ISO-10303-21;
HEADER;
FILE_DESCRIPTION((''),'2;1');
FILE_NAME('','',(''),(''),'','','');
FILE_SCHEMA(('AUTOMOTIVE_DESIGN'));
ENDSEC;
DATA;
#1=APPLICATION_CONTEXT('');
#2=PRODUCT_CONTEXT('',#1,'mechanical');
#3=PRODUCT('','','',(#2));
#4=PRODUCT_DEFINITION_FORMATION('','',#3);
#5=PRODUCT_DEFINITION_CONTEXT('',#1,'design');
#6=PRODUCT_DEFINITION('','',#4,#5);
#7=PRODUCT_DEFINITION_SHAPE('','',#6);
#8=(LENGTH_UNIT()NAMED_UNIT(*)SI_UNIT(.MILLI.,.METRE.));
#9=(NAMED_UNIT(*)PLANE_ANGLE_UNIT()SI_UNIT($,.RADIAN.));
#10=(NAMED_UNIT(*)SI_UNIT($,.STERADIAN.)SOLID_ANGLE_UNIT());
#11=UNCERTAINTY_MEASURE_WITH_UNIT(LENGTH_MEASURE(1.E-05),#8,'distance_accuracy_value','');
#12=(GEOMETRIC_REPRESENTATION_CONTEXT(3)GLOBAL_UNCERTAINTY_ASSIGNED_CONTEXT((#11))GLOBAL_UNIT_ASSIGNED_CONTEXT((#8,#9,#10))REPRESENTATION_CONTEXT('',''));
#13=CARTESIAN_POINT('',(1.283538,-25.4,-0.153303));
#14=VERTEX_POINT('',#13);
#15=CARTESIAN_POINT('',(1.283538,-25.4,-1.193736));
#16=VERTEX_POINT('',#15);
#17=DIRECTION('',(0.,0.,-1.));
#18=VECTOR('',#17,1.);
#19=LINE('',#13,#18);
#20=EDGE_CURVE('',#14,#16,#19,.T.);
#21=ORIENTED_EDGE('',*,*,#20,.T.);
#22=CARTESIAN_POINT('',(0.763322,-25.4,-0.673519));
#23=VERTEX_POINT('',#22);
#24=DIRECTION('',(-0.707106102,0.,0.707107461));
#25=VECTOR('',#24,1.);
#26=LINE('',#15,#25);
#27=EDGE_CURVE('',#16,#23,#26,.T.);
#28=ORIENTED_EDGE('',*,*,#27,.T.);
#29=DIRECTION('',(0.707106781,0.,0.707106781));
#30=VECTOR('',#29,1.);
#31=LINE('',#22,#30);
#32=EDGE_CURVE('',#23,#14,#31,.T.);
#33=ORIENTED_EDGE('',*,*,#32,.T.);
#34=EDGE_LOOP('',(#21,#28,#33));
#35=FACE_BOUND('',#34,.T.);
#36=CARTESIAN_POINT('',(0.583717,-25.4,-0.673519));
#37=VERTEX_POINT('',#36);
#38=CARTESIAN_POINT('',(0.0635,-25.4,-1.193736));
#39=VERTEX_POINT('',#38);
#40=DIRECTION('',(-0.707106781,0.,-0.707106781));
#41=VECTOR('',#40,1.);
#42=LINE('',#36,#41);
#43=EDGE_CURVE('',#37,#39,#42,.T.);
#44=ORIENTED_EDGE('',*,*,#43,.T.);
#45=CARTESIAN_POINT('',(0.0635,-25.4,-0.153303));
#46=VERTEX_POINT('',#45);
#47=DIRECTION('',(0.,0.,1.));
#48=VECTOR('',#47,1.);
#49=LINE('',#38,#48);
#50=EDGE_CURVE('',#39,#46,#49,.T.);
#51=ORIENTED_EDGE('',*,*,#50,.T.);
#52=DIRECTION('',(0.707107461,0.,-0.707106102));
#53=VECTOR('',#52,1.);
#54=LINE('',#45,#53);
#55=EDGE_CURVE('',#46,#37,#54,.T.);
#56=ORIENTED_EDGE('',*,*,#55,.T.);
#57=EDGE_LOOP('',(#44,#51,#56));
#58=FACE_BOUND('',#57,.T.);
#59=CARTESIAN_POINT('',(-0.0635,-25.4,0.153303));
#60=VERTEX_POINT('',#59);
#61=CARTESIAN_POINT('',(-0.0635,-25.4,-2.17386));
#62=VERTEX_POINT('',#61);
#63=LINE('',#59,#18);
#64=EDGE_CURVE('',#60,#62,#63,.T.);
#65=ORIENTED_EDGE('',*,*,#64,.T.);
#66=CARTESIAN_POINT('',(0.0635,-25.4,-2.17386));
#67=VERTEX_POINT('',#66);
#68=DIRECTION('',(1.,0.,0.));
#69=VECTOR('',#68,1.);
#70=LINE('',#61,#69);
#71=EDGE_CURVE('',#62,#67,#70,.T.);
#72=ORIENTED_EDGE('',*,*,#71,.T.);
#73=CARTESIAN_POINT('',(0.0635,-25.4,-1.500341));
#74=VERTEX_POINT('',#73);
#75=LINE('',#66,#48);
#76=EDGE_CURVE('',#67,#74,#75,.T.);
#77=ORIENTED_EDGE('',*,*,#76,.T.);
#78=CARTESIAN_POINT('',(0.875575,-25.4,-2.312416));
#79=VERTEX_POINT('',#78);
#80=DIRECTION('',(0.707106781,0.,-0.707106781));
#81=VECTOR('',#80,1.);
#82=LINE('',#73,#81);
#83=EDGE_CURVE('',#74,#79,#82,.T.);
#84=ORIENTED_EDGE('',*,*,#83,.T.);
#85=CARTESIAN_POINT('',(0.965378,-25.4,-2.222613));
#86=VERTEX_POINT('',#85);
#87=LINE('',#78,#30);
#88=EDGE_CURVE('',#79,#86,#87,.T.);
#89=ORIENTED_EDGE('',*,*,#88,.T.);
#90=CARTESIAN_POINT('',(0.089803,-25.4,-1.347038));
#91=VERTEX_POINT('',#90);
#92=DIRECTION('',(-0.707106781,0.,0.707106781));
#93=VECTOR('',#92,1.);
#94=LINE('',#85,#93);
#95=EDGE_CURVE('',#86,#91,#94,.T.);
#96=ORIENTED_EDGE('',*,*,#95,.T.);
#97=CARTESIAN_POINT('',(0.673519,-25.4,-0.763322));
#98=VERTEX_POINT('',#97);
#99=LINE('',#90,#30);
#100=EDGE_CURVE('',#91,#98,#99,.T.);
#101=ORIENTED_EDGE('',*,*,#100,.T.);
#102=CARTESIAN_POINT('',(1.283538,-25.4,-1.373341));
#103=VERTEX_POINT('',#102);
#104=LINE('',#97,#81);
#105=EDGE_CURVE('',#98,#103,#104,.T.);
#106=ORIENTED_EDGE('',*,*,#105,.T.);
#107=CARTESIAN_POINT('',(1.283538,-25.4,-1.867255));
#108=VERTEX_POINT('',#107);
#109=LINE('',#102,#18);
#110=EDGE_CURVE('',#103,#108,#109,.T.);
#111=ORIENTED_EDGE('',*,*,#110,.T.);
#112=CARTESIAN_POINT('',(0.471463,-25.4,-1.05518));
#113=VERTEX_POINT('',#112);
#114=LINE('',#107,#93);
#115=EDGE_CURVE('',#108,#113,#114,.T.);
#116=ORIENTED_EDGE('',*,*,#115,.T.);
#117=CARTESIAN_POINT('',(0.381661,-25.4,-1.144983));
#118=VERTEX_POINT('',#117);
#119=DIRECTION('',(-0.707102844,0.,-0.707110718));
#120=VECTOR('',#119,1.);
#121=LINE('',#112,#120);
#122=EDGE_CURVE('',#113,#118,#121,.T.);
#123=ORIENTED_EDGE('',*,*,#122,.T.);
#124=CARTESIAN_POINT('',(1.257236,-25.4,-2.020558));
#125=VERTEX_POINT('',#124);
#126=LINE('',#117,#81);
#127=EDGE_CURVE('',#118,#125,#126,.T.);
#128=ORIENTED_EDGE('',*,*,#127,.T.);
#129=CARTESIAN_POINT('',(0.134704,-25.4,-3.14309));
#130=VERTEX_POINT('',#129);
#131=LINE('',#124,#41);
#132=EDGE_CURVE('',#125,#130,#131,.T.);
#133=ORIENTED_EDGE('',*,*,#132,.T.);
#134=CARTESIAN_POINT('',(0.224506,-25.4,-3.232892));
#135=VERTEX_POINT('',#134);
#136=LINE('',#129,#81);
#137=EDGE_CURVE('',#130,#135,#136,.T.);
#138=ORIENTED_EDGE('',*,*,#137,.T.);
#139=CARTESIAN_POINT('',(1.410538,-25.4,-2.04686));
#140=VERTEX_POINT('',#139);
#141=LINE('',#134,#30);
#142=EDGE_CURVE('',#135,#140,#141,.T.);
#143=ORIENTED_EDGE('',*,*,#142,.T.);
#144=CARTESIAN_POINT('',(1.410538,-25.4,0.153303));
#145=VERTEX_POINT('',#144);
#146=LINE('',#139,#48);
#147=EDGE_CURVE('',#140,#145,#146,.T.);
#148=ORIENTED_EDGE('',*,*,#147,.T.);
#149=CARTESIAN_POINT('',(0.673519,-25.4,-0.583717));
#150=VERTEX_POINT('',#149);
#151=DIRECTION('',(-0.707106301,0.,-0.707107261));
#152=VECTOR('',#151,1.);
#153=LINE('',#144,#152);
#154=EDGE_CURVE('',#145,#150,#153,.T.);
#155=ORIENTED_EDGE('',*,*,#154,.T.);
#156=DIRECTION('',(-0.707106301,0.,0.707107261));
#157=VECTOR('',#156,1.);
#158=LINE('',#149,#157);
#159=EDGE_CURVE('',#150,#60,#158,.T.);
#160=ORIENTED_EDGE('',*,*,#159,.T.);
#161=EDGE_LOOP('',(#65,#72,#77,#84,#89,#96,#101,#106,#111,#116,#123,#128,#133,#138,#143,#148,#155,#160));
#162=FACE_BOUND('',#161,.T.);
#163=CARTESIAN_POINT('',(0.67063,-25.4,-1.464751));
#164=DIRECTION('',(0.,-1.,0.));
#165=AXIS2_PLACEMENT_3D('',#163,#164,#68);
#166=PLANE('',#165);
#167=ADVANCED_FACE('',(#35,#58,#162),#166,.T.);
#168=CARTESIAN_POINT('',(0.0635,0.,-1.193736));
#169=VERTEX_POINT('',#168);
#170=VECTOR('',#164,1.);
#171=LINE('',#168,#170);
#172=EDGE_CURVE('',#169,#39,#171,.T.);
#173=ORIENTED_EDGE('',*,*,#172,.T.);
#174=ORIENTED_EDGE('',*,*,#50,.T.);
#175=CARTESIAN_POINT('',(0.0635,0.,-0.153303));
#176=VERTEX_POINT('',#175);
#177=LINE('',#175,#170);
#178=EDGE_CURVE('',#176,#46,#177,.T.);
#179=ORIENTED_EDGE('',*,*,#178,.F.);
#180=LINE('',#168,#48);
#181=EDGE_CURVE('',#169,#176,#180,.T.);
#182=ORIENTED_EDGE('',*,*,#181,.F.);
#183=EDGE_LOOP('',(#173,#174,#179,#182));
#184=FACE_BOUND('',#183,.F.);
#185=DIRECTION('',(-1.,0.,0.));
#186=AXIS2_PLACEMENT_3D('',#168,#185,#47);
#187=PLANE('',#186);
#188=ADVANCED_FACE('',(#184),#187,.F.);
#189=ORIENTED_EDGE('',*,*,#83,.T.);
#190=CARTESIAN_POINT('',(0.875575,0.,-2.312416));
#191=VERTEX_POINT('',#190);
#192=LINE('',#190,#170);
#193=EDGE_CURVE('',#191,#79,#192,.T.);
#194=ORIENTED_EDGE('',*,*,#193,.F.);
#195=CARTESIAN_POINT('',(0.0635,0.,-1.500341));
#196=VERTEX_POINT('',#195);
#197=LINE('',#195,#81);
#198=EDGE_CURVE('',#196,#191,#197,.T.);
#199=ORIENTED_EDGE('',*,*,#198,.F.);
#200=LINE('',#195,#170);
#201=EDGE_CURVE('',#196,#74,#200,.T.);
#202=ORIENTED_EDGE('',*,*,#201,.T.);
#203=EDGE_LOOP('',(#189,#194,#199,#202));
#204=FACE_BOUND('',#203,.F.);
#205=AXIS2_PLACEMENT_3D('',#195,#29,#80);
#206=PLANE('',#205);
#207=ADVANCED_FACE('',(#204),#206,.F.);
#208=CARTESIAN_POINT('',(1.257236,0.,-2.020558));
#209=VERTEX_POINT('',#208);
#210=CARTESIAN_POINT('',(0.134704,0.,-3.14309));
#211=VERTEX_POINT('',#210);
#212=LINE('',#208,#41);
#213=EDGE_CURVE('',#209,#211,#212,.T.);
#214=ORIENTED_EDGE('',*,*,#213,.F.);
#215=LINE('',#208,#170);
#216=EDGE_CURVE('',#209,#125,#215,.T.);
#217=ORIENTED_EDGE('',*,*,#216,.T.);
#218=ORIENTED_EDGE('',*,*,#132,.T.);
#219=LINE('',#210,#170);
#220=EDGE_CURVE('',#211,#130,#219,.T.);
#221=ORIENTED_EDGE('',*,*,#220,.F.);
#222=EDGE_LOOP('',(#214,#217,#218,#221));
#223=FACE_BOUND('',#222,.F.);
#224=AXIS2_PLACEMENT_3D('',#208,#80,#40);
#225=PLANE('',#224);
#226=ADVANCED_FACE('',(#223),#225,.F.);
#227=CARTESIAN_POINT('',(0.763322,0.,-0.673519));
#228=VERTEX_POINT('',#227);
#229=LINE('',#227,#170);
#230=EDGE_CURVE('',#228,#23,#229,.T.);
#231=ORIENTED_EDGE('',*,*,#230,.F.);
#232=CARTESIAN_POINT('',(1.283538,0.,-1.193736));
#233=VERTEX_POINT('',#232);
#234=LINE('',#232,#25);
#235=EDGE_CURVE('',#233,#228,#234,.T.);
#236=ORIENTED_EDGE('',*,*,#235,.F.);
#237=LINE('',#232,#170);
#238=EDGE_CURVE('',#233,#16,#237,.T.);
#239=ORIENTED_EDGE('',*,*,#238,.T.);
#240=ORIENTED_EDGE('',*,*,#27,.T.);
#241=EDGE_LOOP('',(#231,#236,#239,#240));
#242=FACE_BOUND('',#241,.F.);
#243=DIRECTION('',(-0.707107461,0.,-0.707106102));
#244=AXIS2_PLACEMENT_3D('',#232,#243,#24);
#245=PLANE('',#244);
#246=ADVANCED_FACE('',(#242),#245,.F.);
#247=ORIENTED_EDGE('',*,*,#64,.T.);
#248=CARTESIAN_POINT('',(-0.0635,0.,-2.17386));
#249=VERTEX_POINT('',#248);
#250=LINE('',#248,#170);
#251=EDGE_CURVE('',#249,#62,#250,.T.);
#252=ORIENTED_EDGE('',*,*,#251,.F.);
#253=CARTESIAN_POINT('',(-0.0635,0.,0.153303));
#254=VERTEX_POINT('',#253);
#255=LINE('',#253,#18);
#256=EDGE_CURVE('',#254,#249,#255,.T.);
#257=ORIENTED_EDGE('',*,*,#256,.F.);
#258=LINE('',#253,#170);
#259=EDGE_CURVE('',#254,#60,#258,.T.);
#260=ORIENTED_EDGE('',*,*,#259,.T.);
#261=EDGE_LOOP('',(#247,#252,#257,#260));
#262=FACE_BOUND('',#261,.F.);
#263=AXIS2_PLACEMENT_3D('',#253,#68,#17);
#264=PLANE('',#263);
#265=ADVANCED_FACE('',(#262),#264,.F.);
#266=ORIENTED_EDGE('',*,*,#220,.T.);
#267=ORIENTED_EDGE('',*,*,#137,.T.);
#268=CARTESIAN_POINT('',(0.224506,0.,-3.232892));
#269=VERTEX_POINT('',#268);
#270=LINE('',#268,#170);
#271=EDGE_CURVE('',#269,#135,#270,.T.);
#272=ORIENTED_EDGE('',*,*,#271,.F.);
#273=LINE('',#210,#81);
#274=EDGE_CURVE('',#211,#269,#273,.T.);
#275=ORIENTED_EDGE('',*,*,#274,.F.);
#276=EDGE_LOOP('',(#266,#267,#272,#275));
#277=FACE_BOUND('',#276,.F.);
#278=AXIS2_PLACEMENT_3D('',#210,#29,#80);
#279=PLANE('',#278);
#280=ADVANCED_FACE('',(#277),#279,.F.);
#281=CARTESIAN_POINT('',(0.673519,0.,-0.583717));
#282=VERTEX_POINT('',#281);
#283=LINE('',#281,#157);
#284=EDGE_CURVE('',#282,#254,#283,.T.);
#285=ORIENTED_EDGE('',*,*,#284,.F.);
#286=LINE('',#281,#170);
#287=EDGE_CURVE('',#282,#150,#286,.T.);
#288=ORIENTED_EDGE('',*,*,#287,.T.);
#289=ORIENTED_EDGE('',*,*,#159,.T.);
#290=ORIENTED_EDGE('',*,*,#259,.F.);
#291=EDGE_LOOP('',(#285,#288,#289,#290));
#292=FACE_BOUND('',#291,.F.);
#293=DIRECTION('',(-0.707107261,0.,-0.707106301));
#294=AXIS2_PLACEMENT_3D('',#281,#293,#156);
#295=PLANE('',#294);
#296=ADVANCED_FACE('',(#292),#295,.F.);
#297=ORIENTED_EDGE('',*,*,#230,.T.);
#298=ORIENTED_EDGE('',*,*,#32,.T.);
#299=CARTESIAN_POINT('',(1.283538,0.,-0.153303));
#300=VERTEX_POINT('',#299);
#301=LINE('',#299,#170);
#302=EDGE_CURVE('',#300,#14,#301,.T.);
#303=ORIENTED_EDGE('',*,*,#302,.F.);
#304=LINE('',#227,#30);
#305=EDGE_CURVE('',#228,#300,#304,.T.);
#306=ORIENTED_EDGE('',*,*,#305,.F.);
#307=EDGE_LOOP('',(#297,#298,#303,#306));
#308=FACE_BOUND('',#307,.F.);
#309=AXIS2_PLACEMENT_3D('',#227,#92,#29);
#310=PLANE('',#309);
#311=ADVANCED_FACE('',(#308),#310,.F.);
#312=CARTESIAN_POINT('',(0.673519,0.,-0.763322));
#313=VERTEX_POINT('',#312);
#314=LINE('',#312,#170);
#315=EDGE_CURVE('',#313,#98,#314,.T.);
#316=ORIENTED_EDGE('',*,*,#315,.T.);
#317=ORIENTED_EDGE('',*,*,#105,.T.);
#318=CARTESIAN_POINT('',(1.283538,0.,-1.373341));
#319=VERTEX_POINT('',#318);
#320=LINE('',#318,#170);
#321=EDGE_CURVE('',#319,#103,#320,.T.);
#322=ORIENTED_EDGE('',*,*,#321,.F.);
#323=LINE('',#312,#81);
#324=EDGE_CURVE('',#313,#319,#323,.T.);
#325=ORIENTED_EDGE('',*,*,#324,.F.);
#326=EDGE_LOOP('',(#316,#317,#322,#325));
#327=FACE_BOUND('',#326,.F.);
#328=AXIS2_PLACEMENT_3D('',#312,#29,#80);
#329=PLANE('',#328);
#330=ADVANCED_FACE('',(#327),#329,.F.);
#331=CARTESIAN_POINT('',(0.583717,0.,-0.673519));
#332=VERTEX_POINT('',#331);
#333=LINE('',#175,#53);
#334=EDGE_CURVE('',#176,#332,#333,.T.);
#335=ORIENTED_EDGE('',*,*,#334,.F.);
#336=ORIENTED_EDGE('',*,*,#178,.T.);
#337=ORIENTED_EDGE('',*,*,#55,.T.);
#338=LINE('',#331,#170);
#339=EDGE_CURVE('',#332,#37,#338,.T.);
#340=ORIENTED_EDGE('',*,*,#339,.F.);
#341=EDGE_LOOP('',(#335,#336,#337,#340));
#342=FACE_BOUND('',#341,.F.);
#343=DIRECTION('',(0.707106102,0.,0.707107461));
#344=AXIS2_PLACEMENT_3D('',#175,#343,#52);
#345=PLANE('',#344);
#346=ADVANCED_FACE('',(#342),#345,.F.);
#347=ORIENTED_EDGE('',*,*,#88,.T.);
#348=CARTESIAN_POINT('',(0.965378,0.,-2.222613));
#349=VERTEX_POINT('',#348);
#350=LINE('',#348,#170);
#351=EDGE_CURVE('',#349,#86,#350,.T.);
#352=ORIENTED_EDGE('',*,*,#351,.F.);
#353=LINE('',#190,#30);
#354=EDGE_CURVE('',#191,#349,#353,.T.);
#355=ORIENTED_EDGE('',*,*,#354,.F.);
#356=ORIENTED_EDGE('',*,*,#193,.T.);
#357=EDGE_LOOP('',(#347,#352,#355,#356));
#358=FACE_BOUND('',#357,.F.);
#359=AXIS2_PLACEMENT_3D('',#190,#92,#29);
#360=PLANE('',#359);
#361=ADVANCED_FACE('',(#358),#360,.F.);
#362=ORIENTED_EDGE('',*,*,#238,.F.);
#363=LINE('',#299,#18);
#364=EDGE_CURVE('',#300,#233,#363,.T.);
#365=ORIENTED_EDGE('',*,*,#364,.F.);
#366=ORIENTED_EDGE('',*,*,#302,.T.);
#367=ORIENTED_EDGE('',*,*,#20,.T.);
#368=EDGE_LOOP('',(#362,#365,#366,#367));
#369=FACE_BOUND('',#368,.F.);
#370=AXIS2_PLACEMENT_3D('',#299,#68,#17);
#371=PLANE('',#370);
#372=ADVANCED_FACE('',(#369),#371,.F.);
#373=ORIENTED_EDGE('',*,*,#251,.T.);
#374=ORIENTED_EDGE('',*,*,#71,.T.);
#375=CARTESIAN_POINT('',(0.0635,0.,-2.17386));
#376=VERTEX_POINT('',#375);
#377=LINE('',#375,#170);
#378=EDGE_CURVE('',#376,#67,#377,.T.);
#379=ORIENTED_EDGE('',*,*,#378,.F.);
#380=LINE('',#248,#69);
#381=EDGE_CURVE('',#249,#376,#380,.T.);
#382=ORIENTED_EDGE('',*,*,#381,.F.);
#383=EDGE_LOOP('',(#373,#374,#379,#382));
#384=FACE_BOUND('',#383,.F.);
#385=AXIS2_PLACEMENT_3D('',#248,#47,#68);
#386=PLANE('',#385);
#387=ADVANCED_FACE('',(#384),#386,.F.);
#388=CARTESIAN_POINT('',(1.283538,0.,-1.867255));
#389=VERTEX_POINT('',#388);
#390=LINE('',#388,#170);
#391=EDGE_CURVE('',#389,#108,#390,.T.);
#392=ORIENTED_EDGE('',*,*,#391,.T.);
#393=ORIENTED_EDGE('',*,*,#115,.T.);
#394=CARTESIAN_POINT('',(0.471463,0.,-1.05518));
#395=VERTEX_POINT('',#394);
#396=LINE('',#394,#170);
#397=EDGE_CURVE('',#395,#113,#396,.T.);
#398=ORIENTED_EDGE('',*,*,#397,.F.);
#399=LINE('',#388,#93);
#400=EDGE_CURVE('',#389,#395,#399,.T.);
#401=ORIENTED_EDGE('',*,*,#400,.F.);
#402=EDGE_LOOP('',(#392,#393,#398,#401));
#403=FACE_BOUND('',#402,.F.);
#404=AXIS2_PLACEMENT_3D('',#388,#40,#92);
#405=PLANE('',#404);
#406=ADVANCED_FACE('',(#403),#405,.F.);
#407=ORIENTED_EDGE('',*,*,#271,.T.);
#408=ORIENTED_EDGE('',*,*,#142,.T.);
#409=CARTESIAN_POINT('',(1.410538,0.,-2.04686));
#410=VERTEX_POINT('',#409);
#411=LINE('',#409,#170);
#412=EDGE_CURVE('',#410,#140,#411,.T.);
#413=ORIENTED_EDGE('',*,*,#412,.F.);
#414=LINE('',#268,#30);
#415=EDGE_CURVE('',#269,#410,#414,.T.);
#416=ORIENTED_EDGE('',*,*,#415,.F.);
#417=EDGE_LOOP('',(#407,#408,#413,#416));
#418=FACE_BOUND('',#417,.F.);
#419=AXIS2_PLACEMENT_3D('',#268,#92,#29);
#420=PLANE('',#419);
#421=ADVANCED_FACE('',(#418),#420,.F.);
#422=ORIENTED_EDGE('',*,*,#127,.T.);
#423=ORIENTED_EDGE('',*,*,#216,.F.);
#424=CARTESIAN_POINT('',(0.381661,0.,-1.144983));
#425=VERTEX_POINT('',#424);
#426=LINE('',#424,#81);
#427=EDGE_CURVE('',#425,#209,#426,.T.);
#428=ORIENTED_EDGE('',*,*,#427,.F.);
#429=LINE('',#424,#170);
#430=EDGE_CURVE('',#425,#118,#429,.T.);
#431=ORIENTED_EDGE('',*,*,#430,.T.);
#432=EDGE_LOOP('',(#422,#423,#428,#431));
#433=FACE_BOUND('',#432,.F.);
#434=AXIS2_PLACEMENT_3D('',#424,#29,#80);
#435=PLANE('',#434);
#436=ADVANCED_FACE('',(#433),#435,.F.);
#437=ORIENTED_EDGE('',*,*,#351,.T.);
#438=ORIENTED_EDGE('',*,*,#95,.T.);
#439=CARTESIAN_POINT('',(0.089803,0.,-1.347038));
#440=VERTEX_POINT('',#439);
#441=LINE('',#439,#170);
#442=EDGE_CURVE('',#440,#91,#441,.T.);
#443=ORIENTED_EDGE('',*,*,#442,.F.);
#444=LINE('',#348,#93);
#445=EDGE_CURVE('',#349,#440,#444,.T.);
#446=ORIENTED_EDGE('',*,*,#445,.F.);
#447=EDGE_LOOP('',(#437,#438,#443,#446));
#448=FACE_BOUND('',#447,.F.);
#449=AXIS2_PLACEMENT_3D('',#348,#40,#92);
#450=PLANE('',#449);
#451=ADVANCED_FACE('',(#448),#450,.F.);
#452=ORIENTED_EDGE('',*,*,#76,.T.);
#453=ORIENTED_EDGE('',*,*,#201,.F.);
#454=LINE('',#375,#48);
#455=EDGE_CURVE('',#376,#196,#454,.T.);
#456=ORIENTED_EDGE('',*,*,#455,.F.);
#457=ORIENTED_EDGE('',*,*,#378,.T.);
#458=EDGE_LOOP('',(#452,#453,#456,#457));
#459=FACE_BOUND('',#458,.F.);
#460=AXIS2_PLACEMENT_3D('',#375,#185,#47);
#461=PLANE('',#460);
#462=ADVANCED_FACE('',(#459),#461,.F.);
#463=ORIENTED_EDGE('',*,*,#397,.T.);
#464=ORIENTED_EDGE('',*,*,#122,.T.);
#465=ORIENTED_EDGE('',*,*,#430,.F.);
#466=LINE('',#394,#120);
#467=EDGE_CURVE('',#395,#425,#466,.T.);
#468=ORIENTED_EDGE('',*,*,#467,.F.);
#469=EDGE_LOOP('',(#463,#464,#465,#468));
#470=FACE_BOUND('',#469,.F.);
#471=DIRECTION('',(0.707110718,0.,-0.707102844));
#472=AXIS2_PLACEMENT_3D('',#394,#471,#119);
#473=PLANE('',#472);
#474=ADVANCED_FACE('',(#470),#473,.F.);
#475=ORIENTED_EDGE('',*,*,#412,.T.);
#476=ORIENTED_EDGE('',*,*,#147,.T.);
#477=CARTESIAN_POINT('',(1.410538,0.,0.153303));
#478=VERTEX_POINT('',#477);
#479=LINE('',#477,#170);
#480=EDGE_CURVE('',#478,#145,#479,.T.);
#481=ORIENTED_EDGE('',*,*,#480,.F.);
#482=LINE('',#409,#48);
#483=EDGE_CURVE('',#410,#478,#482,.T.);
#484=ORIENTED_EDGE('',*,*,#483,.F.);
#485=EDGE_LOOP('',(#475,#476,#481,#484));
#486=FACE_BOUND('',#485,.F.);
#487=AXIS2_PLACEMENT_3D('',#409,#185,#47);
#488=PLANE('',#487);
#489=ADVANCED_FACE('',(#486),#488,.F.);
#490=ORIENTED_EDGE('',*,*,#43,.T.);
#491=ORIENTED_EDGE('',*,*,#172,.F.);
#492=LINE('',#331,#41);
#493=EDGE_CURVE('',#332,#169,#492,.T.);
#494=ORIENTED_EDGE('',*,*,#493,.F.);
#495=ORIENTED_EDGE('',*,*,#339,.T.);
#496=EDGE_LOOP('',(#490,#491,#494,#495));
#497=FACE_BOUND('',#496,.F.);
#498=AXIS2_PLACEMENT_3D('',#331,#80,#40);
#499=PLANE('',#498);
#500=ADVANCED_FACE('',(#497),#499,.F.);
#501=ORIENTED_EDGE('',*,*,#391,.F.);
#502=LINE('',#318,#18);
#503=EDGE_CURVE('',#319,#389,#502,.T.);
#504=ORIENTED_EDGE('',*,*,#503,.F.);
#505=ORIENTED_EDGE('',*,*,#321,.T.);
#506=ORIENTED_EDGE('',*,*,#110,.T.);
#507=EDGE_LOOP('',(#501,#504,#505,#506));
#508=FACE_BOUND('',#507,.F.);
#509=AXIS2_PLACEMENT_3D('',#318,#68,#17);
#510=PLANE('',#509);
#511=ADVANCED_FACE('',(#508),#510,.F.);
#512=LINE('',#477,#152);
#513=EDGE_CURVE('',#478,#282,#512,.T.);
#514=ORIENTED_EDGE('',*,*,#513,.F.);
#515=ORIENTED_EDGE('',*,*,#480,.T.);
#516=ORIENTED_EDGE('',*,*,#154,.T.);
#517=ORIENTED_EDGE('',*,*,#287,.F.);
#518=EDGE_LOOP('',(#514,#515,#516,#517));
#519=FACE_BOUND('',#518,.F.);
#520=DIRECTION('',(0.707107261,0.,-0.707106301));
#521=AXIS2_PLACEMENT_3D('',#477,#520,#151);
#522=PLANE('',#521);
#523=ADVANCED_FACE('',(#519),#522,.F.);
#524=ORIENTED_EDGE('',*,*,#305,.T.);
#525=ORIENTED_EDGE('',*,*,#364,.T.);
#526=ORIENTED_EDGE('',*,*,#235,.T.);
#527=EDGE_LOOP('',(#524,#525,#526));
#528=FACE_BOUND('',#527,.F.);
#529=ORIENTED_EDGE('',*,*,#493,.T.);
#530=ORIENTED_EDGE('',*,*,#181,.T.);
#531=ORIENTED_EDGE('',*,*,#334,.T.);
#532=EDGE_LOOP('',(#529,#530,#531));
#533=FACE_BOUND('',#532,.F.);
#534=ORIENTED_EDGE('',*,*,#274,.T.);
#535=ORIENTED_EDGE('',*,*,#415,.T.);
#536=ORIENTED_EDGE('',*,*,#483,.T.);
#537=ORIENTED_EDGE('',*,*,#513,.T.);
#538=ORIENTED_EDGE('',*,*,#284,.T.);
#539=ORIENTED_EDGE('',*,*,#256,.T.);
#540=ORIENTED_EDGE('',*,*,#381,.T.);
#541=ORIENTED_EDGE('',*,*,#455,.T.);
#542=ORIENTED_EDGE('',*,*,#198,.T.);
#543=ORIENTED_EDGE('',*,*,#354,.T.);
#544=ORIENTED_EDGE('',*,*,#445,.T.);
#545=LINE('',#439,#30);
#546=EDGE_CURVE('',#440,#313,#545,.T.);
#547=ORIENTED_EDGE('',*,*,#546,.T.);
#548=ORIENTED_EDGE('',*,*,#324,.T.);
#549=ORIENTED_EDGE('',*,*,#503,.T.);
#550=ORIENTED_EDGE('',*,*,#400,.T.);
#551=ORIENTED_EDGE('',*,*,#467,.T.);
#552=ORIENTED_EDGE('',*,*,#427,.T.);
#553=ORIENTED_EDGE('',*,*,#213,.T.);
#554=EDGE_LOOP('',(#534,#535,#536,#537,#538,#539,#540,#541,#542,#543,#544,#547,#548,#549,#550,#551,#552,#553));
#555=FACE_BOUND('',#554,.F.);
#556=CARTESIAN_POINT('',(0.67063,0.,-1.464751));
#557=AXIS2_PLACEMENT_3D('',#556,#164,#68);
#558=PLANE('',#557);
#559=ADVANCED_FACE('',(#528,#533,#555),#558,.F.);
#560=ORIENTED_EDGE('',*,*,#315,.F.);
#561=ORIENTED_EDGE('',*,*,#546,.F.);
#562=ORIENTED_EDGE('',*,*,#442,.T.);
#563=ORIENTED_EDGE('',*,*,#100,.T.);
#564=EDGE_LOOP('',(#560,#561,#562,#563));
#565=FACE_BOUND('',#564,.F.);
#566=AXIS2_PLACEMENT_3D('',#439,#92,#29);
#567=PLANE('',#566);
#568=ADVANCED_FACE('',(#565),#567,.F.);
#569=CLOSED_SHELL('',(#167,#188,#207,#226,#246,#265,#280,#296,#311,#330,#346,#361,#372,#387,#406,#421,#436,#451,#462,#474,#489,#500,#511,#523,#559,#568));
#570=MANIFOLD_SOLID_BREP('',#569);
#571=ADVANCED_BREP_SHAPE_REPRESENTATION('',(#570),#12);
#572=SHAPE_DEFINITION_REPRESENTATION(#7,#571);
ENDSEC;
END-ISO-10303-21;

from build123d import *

# Parameters (mm, degrees)
F1_DEPTH = 25.4


with BuildPart() as f1:
    # F0 (on Front) → F1 (new body)
    with BuildSketch(Plane.XZ):
        Polygon((1.410538, -2.04686), (1.410538, 0.153303), (0.673519, -0.583717), (-0.0635, 0.153303), (-0.0635, -2.17386), (0.0635, -2.17386), (0.0635, -1.500341), (0.875575, -2.312416), (0.965378, -2.222613), (0.089803, -1.347038), (0.673519, -0.763322), (1.283538, -1.373341), (1.283538, -1.867255), (0.471463, -1.05518), (0.381661, -1.144983), (1.257236, -2.020558), (0.134704, -3.14309), (0.224506, -3.232892), align=None)
        Polygon((0.0635, -1.193736), (0.0635, -0.153303), (0.583717, -0.673519), align=None, mode=Mode.SUBTRACT)
        Polygon((0.763322, -0.673519), (1.283538, -0.153303), (1.283538, -1.193736), align=None, mode=Mode.SUBTRACT)
    extrude(amount=F1_DEPTH)


solid = f1.part
